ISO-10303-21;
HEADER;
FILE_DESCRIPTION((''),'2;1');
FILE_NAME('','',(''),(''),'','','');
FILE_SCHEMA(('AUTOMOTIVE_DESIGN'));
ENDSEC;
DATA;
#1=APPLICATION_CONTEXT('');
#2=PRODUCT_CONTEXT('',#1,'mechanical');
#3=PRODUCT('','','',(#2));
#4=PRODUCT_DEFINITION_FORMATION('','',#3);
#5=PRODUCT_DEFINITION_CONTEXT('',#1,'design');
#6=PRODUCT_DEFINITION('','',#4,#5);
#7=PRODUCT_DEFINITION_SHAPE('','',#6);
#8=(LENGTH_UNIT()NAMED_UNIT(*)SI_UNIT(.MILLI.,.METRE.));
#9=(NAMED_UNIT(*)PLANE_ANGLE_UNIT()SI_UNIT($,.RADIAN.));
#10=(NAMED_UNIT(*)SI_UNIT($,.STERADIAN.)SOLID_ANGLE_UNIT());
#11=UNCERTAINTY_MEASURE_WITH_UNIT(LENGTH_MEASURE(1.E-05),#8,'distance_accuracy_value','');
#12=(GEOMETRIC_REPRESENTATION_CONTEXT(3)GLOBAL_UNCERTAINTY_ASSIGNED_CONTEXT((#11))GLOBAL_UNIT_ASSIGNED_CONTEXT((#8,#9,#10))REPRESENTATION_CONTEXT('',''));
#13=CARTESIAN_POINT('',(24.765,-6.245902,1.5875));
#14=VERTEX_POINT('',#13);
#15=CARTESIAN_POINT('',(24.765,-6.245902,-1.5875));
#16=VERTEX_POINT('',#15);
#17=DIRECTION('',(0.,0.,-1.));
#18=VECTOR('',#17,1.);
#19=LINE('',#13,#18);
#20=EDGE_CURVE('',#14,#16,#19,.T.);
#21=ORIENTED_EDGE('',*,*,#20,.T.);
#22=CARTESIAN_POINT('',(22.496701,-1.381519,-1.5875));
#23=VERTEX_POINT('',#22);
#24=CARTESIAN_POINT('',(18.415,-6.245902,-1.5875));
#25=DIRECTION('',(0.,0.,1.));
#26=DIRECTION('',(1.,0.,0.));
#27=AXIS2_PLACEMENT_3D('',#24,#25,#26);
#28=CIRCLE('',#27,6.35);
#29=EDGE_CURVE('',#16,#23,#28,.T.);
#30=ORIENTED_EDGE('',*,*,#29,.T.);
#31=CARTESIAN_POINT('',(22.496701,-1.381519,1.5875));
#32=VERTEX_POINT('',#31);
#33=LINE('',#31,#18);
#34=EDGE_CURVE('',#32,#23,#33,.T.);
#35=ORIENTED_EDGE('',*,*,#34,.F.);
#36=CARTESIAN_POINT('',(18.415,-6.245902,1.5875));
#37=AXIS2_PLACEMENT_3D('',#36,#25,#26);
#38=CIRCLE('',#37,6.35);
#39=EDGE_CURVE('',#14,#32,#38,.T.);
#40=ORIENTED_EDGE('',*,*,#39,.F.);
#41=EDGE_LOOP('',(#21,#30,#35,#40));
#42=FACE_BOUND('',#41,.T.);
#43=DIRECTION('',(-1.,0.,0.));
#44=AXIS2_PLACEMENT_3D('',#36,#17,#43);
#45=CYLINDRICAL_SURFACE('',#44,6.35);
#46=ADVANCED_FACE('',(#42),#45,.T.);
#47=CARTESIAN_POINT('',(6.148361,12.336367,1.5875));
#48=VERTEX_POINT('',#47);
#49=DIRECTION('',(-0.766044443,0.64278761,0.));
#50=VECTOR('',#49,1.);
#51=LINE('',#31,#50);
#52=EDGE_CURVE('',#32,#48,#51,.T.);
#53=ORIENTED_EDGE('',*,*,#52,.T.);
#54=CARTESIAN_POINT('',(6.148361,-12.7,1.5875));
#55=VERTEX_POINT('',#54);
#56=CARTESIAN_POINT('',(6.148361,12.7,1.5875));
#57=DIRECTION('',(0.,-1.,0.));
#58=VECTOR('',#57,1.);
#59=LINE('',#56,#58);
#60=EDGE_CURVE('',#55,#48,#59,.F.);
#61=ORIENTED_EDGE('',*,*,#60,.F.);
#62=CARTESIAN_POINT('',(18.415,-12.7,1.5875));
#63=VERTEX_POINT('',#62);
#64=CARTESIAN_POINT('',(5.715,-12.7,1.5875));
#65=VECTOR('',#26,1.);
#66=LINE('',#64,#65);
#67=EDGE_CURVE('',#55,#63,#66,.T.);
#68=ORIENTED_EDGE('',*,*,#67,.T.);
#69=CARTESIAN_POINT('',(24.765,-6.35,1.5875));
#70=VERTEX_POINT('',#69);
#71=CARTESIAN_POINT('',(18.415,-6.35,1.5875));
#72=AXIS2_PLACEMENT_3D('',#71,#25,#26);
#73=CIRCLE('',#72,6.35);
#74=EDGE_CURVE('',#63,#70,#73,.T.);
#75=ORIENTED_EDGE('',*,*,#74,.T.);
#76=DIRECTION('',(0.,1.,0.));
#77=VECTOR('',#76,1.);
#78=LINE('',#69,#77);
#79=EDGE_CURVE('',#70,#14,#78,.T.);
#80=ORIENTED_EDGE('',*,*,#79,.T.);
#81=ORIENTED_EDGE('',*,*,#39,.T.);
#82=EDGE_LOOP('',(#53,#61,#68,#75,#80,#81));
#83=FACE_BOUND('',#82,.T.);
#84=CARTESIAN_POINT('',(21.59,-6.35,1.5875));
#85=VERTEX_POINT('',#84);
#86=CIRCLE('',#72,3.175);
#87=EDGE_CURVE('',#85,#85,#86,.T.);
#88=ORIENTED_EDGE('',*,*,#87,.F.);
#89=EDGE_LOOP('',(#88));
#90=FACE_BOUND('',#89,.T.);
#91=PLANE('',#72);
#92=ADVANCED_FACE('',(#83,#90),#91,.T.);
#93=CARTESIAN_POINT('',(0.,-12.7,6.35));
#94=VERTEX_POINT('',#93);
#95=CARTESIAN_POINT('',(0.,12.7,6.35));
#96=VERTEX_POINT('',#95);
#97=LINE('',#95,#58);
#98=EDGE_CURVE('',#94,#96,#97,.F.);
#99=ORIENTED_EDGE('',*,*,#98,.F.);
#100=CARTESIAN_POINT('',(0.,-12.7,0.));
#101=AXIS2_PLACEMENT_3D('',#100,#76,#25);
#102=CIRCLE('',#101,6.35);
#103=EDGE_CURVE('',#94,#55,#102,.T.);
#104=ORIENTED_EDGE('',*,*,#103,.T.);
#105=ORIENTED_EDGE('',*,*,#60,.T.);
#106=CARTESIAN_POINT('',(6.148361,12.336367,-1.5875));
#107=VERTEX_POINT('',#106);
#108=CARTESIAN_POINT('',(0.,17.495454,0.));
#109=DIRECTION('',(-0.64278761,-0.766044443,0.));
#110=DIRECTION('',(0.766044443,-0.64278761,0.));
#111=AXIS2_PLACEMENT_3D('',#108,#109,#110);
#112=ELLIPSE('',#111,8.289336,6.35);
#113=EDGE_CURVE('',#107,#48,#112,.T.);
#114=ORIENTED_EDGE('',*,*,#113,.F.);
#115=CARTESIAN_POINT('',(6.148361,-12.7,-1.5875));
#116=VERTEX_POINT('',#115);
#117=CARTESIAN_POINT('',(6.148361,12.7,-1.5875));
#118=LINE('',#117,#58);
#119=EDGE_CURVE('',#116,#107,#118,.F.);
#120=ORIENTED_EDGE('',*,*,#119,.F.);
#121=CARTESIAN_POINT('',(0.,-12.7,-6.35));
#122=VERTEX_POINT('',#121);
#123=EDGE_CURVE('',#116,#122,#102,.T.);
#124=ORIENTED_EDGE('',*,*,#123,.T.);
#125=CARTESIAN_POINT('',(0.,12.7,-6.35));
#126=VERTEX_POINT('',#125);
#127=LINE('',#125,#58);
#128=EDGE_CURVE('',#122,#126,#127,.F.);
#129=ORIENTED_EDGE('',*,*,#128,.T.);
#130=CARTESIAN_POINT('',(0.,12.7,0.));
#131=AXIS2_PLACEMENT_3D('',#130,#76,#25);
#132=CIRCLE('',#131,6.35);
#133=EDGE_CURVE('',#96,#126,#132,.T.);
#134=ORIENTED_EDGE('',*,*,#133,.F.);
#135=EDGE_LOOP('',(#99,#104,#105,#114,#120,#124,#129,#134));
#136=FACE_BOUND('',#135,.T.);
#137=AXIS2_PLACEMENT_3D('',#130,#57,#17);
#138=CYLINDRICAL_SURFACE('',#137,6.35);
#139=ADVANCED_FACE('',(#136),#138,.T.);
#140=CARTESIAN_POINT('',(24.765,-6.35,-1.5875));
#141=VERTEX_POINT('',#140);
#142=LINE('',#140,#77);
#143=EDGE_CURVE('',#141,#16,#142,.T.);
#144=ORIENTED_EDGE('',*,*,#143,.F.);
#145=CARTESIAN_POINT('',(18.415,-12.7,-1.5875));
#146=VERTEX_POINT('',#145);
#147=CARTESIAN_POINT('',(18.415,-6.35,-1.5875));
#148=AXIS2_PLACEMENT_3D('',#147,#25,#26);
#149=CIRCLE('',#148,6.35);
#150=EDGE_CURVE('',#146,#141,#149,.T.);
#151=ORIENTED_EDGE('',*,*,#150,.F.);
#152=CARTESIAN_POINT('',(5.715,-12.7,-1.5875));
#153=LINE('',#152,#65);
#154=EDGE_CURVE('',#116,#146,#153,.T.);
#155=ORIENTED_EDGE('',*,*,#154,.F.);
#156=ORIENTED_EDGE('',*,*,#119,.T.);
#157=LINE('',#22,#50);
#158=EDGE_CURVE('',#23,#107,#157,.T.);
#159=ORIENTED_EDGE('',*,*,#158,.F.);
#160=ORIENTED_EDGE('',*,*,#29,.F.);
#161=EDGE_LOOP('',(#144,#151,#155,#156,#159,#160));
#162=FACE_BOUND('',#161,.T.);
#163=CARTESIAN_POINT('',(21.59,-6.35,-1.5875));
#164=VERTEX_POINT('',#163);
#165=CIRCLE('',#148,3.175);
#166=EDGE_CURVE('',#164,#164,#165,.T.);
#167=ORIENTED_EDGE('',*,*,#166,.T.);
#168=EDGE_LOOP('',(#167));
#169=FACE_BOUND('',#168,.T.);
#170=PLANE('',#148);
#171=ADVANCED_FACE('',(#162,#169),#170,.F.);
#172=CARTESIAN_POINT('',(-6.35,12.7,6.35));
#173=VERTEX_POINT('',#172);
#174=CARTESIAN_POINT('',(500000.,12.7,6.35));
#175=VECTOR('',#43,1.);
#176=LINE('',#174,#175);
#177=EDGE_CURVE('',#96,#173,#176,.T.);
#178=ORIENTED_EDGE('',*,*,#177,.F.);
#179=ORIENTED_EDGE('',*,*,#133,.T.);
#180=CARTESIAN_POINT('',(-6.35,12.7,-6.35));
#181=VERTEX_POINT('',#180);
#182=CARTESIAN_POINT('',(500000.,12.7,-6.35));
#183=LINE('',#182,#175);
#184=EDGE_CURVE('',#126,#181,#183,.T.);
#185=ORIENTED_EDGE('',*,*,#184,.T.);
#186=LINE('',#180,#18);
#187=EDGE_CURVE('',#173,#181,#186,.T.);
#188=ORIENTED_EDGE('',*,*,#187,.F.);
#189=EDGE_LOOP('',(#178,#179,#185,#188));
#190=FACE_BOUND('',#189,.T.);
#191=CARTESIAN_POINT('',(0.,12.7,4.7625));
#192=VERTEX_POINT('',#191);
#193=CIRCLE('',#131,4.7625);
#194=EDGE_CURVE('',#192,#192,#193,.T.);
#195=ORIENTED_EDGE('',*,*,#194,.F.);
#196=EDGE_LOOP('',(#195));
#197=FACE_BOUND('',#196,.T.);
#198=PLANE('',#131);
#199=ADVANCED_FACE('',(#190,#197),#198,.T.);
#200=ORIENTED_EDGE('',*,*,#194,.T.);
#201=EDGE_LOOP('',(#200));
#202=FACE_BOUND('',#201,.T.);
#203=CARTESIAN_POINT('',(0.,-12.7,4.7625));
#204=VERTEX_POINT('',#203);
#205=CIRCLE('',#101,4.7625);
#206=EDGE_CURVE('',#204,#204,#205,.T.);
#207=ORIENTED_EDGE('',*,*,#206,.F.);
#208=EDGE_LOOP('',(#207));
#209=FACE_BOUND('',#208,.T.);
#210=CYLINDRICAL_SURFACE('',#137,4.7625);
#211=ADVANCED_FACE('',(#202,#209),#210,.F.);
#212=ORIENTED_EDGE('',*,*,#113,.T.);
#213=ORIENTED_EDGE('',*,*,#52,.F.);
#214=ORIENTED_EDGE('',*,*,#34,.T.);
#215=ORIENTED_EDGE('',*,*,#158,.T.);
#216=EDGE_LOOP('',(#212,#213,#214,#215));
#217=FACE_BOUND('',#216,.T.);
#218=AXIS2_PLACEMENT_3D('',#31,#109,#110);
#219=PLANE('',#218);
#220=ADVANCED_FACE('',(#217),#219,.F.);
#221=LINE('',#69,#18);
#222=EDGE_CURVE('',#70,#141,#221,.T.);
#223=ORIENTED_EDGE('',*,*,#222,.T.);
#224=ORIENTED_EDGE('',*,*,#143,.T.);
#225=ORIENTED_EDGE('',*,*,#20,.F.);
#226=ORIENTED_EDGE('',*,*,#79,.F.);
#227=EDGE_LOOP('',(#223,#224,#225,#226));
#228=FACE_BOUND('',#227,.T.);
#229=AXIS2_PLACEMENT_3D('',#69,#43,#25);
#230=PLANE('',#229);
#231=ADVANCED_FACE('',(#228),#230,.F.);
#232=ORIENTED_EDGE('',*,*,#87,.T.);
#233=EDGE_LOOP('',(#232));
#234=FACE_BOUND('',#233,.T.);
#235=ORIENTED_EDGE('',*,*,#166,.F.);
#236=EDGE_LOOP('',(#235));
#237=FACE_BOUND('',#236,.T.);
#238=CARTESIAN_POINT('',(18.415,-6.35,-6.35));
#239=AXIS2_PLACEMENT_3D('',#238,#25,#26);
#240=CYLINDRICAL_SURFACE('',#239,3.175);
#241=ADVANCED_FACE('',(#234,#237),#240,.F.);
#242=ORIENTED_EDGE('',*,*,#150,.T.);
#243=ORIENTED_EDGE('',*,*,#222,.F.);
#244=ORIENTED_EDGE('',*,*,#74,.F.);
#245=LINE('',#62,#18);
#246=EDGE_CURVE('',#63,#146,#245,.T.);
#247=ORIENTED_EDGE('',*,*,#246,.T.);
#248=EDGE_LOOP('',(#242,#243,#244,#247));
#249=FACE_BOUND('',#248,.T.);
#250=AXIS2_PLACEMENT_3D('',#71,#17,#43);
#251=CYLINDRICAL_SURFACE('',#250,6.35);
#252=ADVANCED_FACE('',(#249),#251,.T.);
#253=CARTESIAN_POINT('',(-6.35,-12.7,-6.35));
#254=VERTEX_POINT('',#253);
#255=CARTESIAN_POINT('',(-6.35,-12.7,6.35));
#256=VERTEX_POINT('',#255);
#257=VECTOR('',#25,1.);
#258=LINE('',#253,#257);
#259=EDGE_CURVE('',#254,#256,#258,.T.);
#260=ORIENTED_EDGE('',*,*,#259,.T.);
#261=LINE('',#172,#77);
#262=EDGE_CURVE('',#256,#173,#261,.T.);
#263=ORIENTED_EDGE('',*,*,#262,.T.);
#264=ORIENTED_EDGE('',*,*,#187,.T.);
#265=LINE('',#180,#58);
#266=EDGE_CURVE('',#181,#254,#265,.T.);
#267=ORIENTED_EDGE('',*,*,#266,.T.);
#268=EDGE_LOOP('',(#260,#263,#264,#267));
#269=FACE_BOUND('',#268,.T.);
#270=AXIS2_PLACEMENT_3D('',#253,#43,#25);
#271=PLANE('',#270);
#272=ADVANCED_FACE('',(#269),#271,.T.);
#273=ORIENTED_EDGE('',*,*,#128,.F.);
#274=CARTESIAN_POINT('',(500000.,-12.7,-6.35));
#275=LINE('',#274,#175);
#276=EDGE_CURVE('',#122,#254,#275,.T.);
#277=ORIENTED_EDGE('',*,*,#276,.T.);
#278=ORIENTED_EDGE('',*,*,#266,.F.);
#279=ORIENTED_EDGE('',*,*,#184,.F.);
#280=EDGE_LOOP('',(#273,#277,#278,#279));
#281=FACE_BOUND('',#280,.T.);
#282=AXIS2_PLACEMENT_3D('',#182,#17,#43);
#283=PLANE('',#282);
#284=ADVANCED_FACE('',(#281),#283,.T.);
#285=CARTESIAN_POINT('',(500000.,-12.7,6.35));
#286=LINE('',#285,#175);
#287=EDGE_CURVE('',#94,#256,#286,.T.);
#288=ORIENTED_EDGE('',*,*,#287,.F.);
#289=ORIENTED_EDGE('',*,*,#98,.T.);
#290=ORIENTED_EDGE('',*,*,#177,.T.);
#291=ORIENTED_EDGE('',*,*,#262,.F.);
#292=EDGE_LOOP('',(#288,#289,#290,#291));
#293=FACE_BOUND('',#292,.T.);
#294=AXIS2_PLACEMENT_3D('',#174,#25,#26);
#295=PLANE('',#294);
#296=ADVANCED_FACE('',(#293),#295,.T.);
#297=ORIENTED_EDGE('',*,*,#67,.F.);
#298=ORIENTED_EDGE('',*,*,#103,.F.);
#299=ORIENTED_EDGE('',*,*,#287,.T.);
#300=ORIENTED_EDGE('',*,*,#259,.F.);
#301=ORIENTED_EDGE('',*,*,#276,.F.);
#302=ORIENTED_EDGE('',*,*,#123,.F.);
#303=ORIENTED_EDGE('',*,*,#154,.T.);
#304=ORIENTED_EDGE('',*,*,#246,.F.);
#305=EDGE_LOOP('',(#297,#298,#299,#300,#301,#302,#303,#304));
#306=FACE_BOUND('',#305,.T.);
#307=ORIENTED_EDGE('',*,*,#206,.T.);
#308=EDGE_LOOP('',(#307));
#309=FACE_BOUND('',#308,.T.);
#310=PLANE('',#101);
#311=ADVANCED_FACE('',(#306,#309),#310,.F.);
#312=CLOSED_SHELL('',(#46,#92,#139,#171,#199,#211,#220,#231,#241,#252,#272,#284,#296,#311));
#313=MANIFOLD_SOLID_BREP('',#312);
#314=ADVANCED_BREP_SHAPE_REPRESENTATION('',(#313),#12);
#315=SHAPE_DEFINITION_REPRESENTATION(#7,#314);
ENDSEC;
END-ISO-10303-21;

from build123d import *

# Parameters (mm, degrees)
SKETCH1_R                = 6.35
SKETCH1_R_2              = 4.7625
BOSS_EXTRUDE1_DEPTH      = 12.7
BOSS_EXTRUDE2_DEPTH      = 1.5875
SKETCH3_R                = 3.175
CUT_EXTRUDE1_DEPTH       = 29.941304933
BOSS_EXTRUDE3_REACH      = 36.202
BOSS_EXTRUDE3_END_RADIUS = 6.35
SKETCH4_W                = 12.7
SKETCH4_H                = 25.4


with BuildPart() as part:
    # Sketch1 → Boss-Extrude1 (new, symmetric)
    with BuildSketch(Plane(origin=(0, 0, 0), x_dir=(1, 0, 0), z_dir=(0, 1, 0))):
        with Locations(Location((0, 0, 0), (0, 0, 270))):
            Circle(SKETCH1_R)
        with Locations(Location((0, 0, 0), (0, 0, 270))):
            Circle(SKETCH1_R_2, mode=Mode.SUBTRACT)
    extrude(amount=BOSS_EXTRUDE1_DEPTH, both=True)

    # Sketch2 → Boss-Extrude2 (add, symmetric)
    with BuildSketch(Plane.XY):
        with BuildLine():
            Line((5.715, -12.7), (18.415, -12.7))
            ThreePointArc((18.415, -12.7), (22.905128061, -10.840128061), (24.765, -6.35))
            Line((24.765, -6.35), (24.765, -6.245901603))
            ThreePointArc((24.765, -6.245901603), (24.170054448, -3.562275641), (22.496701322, -1.381519389))
            Line((22.496701322, -1.381519389), (5.715, 12.7))
            Line((5.715, 12.7), (5.715, -12.7))
        make_face()
    extrude(amount=BOSS_EXTRUDE2_DEPTH, both=True)

    # Sketch3 → Cut-Extrude1 (cut, through all)
    with BuildSketch(Plane.XY.offset(1.5875)):
        with Locations((18.415, -6.35)):
            Circle(SKETCH3_R)
    extrude(amount=-CUT_EXTRUDE1_DEPTH, mode=Mode.SUBTRACT)

    # Boss-Extrude3: up to this cylinder (the profile starts outside it)
    boss_extrude3_end = Plane(origin=(0, 0, 0), z_dir=(0, -1, 0)) * Cylinder(BOSS_EXTRUDE3_END_RADIUS, 86.104, mode=Mode.PRIVATE)
    # Sketch4 → Boss-Extrude3 (add, up to the surface)
    with BuildSketch(Plane.ZY.offset(6.35), mode=Mode.PRIVATE) as boss_extrude3_sk1:
        Rectangle(SKETCH4_W, SKETCH4_H)
    boss_extrude3_tool1 = extrude(boss_extrude3_sk1.sketch, amount=-BOSS_EXTRUDE3_REACH, mode=Mode.PRIVATE) - boss_extrude3_end
    add(boss_extrude3_tool1.solids().sort_by_distance((-6.35, 0, 0))[0])
    add(boss_extrude3_tool1.solids().sort_by_distance((-6.35, 0, 0))[1])


solid = part.part
